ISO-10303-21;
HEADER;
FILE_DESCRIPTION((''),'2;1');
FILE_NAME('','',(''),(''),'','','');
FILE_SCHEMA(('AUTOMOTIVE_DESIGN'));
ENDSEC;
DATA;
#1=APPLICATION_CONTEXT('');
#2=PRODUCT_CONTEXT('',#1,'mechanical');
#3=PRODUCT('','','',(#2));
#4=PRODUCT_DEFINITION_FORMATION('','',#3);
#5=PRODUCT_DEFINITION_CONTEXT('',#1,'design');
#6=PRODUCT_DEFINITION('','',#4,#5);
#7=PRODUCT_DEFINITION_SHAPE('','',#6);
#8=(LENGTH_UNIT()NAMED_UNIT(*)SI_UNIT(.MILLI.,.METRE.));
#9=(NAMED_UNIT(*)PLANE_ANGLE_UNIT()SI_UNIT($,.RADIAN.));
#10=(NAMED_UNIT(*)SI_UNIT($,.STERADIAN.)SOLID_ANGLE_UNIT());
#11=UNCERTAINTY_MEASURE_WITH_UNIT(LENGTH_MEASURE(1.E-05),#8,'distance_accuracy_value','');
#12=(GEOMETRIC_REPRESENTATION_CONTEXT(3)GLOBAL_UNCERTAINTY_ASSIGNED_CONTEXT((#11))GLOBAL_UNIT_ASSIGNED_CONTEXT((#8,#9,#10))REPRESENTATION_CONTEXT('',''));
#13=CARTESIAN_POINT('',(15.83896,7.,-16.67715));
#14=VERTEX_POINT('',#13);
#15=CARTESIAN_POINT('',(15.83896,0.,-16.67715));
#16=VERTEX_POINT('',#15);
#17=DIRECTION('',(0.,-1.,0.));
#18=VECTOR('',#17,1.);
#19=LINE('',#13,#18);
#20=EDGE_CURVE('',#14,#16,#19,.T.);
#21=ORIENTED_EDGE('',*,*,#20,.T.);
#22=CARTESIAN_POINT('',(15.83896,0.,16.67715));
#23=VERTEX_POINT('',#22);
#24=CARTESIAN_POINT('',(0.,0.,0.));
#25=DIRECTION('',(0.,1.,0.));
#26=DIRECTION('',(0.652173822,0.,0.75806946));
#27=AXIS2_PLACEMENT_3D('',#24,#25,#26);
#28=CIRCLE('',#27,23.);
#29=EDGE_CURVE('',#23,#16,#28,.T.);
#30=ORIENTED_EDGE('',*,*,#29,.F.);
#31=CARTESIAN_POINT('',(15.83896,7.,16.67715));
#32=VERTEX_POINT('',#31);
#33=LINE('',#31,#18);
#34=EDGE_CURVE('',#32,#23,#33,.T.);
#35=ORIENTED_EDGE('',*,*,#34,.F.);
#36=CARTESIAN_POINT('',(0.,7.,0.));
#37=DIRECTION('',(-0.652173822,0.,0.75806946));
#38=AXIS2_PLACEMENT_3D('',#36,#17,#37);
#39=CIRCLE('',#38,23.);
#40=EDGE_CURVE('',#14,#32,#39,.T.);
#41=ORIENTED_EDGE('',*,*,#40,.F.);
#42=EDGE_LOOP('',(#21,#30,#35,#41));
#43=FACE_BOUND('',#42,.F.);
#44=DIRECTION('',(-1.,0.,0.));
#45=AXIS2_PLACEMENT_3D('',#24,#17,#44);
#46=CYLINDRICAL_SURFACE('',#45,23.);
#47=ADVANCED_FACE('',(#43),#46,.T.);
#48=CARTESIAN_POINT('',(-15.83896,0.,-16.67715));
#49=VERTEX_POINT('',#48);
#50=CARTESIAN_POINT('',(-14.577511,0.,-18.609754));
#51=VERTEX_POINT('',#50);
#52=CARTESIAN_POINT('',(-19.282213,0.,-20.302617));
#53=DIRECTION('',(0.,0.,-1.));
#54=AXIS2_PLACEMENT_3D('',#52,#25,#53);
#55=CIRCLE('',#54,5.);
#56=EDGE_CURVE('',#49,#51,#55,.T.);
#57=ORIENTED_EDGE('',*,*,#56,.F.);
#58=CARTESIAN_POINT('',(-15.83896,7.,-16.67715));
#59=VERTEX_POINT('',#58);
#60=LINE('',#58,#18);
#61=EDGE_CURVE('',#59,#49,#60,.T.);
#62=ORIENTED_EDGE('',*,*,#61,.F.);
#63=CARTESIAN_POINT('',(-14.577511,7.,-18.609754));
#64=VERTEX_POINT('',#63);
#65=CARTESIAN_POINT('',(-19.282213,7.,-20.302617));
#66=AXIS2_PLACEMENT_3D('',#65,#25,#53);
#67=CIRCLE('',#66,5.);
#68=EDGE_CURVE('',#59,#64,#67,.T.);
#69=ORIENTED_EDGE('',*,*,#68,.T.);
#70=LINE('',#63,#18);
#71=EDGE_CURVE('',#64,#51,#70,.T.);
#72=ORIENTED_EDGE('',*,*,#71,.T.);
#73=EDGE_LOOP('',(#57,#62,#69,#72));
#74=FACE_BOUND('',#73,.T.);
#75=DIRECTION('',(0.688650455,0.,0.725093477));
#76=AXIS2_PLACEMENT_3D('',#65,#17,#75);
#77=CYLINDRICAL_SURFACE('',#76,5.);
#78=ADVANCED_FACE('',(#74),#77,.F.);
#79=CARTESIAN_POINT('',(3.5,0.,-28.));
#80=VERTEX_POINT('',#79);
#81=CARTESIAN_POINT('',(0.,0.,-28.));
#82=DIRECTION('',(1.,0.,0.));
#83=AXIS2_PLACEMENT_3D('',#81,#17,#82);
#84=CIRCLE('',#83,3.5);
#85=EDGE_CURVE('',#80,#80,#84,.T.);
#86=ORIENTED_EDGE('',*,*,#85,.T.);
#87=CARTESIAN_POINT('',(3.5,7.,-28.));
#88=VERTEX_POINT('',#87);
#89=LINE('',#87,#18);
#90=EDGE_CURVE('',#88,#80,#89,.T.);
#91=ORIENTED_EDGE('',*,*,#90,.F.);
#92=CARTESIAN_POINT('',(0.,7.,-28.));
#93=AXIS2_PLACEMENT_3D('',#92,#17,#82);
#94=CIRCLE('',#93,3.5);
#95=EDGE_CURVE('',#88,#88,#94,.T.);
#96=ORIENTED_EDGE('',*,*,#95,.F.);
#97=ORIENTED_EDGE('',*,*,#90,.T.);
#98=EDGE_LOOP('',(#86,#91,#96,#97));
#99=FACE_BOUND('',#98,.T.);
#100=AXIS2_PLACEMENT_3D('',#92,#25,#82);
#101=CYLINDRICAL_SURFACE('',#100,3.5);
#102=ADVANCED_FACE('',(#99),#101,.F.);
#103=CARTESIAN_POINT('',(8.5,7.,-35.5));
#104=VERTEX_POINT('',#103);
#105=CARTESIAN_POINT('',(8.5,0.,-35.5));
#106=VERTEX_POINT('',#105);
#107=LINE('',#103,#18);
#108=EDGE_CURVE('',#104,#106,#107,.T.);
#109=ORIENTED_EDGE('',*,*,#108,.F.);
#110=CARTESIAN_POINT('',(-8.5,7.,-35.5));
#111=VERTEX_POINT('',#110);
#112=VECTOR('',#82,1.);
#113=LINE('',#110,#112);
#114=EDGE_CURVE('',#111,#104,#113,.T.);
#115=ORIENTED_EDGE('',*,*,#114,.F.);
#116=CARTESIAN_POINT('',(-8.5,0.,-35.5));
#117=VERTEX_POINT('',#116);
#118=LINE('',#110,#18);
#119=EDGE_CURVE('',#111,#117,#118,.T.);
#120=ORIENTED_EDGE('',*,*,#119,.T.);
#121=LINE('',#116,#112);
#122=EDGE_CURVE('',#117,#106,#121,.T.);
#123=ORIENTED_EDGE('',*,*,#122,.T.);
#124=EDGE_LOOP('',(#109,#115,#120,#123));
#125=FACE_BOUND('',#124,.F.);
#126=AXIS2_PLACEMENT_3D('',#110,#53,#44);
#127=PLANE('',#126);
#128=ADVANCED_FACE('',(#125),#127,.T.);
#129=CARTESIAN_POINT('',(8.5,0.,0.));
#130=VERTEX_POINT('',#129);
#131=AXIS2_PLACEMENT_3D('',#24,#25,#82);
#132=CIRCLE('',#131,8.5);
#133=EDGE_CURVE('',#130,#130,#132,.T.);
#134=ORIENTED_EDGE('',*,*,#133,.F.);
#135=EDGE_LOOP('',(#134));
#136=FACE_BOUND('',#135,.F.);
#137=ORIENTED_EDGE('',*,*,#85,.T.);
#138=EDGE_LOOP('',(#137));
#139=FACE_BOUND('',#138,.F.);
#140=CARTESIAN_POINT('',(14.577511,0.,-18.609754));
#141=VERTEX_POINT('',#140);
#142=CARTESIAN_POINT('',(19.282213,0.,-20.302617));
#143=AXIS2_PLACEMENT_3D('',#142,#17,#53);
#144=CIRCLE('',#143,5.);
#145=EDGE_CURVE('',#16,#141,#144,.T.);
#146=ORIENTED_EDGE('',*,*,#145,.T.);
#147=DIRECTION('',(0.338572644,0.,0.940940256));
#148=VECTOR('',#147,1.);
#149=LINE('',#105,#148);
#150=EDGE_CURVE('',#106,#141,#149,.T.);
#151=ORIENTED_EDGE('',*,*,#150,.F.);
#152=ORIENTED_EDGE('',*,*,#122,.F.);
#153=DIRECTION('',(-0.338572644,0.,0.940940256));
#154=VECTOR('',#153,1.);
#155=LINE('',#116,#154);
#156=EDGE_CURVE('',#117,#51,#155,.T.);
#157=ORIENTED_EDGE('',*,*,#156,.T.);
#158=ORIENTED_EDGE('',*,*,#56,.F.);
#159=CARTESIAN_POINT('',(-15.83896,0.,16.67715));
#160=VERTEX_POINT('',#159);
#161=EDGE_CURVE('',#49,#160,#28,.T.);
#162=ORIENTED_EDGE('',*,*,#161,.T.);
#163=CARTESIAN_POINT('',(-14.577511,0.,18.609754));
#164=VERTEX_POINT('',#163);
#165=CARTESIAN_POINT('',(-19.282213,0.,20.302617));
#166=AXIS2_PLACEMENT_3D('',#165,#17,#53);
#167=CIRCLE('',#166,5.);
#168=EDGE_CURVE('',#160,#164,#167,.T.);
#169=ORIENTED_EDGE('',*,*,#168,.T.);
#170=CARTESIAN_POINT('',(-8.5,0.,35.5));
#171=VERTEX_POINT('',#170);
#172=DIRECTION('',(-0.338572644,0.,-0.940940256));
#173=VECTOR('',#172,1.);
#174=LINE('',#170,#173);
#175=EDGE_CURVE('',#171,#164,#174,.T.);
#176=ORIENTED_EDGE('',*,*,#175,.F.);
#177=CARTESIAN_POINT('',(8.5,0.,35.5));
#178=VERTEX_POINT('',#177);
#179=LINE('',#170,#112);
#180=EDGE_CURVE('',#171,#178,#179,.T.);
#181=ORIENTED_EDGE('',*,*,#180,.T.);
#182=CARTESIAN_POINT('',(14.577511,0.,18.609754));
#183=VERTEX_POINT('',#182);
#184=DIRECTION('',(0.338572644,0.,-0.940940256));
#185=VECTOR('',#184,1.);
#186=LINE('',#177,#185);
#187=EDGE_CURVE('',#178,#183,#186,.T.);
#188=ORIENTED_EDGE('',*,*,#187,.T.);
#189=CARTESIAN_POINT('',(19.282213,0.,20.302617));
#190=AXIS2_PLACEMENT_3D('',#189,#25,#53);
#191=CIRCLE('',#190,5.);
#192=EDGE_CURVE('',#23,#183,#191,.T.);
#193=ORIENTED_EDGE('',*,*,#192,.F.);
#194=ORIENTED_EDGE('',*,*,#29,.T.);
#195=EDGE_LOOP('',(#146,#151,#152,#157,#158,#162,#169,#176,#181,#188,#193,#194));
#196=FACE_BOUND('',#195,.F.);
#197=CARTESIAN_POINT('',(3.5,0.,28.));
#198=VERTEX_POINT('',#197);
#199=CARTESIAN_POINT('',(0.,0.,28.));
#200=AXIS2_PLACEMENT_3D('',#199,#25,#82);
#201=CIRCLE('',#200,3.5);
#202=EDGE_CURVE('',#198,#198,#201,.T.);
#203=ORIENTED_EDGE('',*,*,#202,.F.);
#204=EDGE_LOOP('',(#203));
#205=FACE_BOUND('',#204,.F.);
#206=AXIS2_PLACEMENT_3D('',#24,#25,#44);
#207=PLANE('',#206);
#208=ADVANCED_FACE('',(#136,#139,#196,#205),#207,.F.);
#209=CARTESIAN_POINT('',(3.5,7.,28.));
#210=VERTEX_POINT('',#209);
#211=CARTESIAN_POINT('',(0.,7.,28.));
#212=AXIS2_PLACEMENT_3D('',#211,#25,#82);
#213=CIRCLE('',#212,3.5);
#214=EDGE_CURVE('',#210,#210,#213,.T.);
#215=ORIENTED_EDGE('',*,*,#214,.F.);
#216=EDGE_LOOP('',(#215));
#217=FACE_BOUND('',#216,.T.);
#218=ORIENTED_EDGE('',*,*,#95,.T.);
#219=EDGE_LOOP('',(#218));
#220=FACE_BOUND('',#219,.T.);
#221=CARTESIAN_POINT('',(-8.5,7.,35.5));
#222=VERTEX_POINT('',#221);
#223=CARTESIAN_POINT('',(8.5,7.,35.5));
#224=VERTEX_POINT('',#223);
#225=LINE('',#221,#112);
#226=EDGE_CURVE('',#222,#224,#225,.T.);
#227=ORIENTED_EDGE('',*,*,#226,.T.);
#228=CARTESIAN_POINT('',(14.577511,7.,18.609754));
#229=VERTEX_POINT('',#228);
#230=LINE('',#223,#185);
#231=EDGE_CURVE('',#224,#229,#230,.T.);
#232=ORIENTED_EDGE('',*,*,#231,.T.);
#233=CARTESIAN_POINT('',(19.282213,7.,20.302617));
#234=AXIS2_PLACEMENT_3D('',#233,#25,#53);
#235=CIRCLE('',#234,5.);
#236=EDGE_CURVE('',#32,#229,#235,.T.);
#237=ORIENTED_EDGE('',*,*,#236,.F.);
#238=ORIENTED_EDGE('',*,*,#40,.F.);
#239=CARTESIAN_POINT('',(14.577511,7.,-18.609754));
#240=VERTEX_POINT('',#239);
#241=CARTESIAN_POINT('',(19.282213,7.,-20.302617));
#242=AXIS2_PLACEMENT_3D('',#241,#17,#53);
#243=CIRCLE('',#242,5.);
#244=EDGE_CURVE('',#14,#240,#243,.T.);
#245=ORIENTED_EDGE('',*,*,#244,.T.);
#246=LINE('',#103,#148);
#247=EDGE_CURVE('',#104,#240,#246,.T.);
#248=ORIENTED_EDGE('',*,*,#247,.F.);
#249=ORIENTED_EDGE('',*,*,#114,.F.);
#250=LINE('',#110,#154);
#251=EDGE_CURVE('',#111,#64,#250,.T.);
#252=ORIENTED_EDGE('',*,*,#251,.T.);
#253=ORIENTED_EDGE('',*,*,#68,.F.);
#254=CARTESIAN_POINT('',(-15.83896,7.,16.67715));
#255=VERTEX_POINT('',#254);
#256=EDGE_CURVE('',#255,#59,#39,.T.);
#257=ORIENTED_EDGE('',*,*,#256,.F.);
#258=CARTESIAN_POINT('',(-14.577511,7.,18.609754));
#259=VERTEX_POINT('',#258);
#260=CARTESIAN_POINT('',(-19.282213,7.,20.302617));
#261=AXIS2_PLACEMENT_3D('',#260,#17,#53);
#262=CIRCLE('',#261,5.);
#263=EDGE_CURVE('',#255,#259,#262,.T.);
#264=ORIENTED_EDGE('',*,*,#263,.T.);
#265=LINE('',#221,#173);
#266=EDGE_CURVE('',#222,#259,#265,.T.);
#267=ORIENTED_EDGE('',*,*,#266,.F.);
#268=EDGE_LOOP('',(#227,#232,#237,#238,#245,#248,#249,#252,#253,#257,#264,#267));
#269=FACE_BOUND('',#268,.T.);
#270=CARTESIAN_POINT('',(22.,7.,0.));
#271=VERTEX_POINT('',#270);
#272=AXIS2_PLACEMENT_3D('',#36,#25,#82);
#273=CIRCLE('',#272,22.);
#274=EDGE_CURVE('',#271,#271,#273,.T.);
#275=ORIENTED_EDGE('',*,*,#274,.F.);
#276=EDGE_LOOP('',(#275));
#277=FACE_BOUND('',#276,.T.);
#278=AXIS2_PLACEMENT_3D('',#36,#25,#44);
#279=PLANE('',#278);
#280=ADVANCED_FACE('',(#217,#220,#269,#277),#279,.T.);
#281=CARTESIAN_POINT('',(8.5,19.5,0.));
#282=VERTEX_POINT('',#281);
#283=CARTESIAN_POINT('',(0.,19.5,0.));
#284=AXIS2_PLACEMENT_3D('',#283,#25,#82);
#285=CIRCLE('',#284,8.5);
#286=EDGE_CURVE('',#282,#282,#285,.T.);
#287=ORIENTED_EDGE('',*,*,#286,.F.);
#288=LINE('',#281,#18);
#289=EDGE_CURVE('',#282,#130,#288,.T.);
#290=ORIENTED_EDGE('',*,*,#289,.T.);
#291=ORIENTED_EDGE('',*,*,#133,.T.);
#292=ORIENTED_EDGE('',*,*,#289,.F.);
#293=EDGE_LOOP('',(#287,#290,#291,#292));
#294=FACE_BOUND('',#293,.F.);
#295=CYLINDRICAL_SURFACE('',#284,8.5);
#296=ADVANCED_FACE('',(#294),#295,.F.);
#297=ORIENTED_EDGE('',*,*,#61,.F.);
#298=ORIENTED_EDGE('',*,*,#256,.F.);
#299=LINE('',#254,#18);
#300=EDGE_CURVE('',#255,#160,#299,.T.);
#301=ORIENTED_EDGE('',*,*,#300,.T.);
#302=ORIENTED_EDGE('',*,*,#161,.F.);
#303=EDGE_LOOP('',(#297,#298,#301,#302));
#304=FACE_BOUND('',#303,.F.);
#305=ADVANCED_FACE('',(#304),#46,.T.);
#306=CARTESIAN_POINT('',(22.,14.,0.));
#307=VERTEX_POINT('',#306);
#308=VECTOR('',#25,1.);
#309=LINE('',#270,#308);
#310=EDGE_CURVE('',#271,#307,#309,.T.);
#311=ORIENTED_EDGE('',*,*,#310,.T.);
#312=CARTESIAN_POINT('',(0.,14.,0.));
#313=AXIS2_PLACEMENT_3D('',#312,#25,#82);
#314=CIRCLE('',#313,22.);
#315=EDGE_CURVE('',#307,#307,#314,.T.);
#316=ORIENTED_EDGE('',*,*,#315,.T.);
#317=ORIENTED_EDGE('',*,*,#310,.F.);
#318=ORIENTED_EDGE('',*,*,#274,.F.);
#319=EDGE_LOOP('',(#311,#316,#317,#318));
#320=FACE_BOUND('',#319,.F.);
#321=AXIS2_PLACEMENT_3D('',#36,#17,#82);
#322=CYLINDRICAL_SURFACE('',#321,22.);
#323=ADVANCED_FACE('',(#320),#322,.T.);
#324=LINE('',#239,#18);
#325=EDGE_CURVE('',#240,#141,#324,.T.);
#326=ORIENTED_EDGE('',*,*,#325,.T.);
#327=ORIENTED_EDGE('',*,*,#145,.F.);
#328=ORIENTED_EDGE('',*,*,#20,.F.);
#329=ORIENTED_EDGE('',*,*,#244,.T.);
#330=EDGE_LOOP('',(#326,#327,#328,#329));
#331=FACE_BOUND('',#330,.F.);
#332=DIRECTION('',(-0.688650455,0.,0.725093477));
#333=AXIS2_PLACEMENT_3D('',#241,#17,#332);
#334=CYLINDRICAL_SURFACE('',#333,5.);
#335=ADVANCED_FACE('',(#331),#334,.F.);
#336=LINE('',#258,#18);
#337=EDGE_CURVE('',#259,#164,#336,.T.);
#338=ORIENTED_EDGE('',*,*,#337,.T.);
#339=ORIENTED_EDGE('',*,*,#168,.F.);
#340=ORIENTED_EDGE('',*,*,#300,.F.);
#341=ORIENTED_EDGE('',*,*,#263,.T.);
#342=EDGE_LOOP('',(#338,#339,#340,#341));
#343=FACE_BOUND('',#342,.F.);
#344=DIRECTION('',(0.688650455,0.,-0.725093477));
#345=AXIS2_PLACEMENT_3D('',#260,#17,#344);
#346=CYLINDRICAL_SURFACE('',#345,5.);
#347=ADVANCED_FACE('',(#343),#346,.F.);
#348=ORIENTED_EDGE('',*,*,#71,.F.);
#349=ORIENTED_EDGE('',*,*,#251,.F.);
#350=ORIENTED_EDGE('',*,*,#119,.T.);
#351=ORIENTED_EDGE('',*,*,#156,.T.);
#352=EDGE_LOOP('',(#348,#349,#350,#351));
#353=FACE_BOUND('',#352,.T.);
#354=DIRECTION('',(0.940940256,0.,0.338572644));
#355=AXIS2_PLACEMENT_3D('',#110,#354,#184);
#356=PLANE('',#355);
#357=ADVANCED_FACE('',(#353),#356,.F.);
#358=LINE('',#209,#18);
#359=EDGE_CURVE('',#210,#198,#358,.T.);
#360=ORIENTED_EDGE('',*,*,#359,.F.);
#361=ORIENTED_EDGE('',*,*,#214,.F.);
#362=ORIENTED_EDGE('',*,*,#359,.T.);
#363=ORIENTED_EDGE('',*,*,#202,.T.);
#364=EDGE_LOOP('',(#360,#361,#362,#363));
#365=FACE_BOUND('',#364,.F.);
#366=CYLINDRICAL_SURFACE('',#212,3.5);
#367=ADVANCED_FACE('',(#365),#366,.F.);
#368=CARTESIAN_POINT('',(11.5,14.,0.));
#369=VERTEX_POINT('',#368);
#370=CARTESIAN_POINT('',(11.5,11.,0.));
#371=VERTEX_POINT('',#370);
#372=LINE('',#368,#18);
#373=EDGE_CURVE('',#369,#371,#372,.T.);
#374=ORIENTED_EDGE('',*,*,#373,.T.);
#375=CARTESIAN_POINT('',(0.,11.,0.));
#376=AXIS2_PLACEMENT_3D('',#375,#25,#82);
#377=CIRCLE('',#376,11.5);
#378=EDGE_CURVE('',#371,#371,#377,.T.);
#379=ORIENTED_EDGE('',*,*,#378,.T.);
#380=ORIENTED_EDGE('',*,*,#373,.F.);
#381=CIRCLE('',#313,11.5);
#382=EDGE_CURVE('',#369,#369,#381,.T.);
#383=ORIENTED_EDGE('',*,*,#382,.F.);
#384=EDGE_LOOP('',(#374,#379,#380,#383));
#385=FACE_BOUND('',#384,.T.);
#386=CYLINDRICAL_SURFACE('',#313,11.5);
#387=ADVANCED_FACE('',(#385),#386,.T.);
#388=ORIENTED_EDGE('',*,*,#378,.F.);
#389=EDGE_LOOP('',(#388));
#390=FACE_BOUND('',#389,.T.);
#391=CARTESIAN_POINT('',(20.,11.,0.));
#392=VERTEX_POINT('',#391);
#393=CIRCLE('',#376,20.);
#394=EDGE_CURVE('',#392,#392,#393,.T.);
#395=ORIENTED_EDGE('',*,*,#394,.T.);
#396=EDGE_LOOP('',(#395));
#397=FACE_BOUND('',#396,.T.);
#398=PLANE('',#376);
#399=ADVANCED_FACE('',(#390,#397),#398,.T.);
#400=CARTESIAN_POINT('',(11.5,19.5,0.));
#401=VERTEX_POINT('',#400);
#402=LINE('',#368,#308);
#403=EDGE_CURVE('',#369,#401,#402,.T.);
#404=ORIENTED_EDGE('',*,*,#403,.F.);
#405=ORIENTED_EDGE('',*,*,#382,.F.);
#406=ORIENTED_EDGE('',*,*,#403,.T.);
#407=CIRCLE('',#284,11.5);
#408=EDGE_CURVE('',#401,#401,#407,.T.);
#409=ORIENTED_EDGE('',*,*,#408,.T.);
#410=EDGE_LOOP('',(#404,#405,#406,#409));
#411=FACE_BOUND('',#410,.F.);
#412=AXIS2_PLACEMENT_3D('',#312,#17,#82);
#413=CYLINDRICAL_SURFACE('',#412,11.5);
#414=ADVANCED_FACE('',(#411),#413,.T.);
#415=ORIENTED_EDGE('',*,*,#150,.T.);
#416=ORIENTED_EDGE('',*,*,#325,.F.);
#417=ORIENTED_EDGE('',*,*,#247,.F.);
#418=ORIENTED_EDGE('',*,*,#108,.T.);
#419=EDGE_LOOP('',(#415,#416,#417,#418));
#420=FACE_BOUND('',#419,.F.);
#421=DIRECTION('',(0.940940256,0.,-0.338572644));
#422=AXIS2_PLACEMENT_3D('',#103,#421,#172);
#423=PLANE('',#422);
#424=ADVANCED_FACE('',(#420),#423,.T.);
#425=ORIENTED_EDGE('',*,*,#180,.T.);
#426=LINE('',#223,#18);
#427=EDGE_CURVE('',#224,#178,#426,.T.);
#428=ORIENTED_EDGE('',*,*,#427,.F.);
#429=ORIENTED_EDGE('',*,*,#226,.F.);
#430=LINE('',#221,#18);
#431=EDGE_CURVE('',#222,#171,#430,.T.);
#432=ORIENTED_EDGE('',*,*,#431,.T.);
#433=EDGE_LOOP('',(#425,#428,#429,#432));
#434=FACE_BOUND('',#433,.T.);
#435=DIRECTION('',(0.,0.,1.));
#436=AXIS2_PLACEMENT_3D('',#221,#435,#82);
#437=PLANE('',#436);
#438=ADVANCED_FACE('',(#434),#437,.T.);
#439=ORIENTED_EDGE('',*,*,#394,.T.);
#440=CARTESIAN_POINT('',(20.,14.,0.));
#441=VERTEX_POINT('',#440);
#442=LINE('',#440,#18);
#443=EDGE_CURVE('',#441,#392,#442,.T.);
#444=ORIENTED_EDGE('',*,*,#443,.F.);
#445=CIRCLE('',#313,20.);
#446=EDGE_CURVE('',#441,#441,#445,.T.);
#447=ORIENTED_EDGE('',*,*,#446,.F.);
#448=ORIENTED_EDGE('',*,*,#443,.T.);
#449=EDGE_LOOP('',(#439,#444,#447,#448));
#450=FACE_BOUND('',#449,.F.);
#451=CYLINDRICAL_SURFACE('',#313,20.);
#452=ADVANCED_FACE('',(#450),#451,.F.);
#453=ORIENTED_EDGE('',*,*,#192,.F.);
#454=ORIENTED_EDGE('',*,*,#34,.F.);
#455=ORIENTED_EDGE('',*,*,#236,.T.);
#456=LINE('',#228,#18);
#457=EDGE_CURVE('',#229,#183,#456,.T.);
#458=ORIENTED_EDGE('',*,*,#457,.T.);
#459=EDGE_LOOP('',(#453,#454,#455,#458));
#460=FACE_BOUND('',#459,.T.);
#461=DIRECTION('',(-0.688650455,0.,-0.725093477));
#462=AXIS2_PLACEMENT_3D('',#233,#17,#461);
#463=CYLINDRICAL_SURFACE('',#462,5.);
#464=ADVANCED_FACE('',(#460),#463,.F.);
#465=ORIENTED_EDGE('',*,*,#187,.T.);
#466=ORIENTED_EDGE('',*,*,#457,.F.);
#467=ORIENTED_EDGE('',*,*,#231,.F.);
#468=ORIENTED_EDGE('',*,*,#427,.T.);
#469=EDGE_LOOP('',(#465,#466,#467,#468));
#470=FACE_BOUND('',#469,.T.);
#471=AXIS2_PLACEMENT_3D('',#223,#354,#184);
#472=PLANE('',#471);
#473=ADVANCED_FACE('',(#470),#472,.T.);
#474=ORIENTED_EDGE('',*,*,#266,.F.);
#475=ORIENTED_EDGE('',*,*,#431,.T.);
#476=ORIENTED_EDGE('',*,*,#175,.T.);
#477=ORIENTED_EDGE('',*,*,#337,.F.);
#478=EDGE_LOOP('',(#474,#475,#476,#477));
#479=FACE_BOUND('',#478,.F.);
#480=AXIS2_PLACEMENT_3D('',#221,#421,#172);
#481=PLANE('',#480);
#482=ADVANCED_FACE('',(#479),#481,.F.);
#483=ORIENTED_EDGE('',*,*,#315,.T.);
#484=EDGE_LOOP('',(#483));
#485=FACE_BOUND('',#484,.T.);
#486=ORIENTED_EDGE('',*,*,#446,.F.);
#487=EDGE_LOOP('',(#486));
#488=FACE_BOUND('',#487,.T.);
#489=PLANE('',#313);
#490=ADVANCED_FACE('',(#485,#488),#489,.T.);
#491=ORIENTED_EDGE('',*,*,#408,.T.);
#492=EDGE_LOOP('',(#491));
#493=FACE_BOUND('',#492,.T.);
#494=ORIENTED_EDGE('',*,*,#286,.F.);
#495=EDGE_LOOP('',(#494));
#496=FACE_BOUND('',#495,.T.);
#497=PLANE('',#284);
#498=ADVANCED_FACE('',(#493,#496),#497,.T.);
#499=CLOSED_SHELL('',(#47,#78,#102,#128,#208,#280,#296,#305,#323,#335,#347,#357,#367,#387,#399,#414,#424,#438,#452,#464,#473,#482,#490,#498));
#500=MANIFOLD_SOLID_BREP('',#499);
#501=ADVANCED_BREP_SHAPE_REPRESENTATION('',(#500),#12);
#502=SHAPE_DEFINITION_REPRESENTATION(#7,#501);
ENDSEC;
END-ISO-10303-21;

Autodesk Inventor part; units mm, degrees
ref_plane "YZ Plane" through (0, 0, 0) normal (1, 0, 0) x (0, 1, 0)
ref_plane "XZ Plane" through (0, 0, 0) normal (0, 1, 0) x (-1, 0, 0)
ref_plane "XY Plane" through (0, 0, 0) normal (0, 0, 1) x (1, 0, 0)
sketch "Sketch1" plane through (0, 0, 0) normal (0, 1, 0) x (-1, 0, 0)
  circle A0 centre (0, 0) radius 23
  dimension "d0" = 46
extrude "Extrusion1" add sketch "Sketch1" along normal blind 7
sketch "Sketch2" plane through (0, 7, 0) normal (0, 1, 0) x (1, 0, 0)
  line L0 (-8.5, -35.5) -> (8.5, -35.5)
  line L1 (-8.5, -35.5) -> (-15, -17.4356)
  circle A0 centre (0, 0) radius 23 projected
  line L2 (8.5, -35.5) -> (15, -17.4356)
  circle A1 centre (0, -28) radius 3.5
  point P0 (0, -35.5)
  dimension "d3" = 17
  dimension "d4" = 35.5
  dimension "d5" = 7
  dimension "d6" = 28
  dimension "d7" = 30
extrude "Extrusion2" add sketch "Sketch2" against normal blind 7 contours L1 A0 L2 L0
fillet "Fillet1" radius 5 2 edges at (15, 3.5, 17.4356) (-15, 3.5, 17.4356)
mirror "Mirror1" about plane through (0, 0, 0) normal (0, 0, 1) of "Extrusion2", "Fillet1"
sketch "Sketch3" plane through (0, 7, 0) normal (0, 1, 0) x (1, 0, 0)
  circle A0 centre (0, 0) radius 22
  dimension "d11" = 44
extrude "Extrusion3" add sketch "Sketch3" along normal blind 7
sketch "Sketch4" plane through (0, 14, 0) normal (0, 1, 0) x (1, 0, 0)
  circle A0 centre (0, 0) radius 11.5
  dimension "d14" = 23
extrude "Extrusion4" add sketch "Sketch4" along normal blind 5.5
sketch "Sketch5" plane through (0, 19.5, 0) normal (0, 1, 0) x (1, 0, 0)
  circle A0 centre (0, 0) radius 8.5
  dimension "d17" = 17
extrude "Extrusion5" cut sketch "Sketch5" against normal through all
sketch "Sketch6" plane through (0, 14, 0) normal (0, 1, 0) x (1, 0, 0)
  circle A0 centre (0, 0) radius 20
  circle A1 centre (0, 0) radius 11.5 projected
  dimension "d20" = 40
extrude "Extrusion6" cut sketch "Sketch6" against normal blind 3
properties part number "HCMUTE-CDT23-GOI_DO_PHI-17" material "Stainless Steel"
